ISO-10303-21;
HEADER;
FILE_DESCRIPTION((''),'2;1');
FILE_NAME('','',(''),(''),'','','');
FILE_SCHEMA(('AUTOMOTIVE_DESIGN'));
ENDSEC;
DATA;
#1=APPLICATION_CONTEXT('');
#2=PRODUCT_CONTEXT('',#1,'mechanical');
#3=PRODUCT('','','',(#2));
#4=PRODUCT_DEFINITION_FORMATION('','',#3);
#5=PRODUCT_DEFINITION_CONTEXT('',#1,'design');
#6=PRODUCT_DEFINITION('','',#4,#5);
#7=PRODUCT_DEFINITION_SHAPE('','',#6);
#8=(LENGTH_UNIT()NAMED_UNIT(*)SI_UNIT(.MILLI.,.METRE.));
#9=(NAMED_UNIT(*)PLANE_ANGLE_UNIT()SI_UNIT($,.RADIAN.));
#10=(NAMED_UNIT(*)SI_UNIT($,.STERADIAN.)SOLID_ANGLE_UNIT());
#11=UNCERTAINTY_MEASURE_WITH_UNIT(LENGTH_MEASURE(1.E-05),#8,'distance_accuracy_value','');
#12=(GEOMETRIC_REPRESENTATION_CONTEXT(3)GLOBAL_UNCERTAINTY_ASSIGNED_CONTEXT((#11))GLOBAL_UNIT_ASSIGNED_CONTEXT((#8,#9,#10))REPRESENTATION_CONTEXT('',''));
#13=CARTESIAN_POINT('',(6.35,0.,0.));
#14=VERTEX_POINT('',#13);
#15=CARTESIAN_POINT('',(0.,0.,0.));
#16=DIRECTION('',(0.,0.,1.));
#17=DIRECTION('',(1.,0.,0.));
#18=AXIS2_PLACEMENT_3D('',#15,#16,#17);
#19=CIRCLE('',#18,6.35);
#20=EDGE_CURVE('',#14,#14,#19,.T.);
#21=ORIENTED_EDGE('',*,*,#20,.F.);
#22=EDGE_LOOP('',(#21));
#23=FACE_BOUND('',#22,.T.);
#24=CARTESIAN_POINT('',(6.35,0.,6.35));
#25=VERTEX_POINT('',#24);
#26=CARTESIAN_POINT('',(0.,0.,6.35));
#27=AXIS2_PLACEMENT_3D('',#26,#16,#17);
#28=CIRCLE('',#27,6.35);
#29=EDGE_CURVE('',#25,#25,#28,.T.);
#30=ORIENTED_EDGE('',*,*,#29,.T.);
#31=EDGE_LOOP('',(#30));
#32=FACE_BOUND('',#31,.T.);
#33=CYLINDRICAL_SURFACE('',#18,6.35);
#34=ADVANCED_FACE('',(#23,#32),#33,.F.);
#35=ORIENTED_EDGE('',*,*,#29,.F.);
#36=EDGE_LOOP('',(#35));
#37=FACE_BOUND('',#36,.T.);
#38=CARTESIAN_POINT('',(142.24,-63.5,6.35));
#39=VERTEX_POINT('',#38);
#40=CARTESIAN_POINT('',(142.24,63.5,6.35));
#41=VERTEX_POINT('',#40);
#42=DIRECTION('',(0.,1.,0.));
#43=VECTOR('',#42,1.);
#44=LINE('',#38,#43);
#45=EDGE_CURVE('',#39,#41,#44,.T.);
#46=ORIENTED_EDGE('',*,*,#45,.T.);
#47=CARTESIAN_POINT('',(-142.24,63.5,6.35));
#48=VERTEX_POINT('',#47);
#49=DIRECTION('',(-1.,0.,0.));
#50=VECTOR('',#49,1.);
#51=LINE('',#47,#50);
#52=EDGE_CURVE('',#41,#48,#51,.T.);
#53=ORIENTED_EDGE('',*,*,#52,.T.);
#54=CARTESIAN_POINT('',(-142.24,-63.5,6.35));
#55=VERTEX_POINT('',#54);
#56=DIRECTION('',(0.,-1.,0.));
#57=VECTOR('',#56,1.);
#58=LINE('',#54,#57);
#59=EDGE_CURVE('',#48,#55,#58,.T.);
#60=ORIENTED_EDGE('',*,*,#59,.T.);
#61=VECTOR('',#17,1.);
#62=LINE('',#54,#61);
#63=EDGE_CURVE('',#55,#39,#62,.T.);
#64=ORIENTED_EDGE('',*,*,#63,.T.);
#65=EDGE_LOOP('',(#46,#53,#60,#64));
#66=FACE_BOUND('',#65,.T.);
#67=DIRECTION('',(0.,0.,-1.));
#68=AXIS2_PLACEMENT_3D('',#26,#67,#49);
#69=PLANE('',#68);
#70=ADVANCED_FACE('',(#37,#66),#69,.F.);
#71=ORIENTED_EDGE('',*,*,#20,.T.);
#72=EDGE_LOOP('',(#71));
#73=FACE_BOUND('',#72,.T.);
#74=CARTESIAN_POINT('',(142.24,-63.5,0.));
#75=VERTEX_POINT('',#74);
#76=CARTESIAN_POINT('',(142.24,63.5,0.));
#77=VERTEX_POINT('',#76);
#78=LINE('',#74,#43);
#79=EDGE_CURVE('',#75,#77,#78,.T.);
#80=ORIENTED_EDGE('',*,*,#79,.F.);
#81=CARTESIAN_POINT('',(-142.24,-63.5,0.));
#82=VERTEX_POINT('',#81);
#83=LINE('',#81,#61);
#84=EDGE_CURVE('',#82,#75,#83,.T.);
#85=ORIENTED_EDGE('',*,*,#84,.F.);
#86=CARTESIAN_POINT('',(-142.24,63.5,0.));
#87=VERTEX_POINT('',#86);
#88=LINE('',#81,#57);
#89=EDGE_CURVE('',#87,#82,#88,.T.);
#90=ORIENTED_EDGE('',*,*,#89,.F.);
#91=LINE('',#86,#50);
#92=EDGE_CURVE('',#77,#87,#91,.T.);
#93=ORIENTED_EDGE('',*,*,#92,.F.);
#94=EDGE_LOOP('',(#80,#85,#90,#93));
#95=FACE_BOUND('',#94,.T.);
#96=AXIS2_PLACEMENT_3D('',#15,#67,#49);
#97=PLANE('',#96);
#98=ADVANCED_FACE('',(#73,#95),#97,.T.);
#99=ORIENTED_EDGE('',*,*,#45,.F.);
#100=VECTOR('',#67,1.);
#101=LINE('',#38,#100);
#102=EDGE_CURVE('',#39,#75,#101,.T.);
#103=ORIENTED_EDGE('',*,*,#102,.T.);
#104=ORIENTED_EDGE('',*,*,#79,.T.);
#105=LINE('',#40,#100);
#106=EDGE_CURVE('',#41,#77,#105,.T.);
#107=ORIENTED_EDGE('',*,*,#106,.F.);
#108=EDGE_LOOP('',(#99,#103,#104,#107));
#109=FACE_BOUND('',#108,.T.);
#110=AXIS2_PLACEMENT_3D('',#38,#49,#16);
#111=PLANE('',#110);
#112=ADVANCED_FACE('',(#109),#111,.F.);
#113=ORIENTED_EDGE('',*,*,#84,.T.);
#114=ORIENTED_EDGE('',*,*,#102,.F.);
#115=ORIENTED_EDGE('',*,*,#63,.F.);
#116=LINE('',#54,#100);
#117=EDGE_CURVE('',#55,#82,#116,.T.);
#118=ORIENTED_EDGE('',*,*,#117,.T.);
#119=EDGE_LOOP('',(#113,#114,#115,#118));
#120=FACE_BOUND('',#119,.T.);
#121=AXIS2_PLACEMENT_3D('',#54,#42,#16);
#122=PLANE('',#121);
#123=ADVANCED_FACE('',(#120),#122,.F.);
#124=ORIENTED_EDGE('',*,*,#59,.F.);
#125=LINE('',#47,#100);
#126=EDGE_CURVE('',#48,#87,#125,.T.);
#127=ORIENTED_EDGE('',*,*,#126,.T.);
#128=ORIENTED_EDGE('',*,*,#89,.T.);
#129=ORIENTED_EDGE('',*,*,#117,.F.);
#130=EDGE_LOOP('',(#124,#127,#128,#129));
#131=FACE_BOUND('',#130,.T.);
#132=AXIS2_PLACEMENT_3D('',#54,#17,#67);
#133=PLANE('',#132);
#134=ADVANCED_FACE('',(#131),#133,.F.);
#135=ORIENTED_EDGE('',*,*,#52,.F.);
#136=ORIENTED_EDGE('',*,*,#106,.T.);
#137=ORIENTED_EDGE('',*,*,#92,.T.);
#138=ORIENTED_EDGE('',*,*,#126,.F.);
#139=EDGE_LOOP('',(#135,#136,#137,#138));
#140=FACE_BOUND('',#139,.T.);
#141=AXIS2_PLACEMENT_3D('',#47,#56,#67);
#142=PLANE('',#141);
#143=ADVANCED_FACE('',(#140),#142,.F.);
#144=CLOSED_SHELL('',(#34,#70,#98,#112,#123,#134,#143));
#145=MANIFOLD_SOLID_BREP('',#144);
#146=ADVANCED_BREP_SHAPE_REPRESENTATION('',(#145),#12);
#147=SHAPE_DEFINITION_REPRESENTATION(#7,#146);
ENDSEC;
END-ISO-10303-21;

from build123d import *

# Parameters (mm, degrees)
SKETCH2_W           = 284.48
SKETCH2_H           = 127
BOSS_EXTRUDE1_DEPTH = 6.35
SKETCH3_R           = 6.35
CUT_EXTRUDE1_DEPTH  = 156.899936177


with BuildPart() as part:
    # Sketch2 → Boss-Extrude1 (new body)
    with BuildSketch(Plane.XY):
        Rectangle(SKETCH2_W, SKETCH2_H)
    extrude(amount=BOSS_EXTRUDE1_DEPTH)

    # Sketch3 → Cut-Extrude1 (cut, through all)
    with BuildSketch(Plane.XY.offset(6.35)):
        Circle(SKETCH3_R)
    extrude(amount=-CUT_EXTRUDE1_DEPTH, mode=Mode.SUBTRACT)


solid = part.part
